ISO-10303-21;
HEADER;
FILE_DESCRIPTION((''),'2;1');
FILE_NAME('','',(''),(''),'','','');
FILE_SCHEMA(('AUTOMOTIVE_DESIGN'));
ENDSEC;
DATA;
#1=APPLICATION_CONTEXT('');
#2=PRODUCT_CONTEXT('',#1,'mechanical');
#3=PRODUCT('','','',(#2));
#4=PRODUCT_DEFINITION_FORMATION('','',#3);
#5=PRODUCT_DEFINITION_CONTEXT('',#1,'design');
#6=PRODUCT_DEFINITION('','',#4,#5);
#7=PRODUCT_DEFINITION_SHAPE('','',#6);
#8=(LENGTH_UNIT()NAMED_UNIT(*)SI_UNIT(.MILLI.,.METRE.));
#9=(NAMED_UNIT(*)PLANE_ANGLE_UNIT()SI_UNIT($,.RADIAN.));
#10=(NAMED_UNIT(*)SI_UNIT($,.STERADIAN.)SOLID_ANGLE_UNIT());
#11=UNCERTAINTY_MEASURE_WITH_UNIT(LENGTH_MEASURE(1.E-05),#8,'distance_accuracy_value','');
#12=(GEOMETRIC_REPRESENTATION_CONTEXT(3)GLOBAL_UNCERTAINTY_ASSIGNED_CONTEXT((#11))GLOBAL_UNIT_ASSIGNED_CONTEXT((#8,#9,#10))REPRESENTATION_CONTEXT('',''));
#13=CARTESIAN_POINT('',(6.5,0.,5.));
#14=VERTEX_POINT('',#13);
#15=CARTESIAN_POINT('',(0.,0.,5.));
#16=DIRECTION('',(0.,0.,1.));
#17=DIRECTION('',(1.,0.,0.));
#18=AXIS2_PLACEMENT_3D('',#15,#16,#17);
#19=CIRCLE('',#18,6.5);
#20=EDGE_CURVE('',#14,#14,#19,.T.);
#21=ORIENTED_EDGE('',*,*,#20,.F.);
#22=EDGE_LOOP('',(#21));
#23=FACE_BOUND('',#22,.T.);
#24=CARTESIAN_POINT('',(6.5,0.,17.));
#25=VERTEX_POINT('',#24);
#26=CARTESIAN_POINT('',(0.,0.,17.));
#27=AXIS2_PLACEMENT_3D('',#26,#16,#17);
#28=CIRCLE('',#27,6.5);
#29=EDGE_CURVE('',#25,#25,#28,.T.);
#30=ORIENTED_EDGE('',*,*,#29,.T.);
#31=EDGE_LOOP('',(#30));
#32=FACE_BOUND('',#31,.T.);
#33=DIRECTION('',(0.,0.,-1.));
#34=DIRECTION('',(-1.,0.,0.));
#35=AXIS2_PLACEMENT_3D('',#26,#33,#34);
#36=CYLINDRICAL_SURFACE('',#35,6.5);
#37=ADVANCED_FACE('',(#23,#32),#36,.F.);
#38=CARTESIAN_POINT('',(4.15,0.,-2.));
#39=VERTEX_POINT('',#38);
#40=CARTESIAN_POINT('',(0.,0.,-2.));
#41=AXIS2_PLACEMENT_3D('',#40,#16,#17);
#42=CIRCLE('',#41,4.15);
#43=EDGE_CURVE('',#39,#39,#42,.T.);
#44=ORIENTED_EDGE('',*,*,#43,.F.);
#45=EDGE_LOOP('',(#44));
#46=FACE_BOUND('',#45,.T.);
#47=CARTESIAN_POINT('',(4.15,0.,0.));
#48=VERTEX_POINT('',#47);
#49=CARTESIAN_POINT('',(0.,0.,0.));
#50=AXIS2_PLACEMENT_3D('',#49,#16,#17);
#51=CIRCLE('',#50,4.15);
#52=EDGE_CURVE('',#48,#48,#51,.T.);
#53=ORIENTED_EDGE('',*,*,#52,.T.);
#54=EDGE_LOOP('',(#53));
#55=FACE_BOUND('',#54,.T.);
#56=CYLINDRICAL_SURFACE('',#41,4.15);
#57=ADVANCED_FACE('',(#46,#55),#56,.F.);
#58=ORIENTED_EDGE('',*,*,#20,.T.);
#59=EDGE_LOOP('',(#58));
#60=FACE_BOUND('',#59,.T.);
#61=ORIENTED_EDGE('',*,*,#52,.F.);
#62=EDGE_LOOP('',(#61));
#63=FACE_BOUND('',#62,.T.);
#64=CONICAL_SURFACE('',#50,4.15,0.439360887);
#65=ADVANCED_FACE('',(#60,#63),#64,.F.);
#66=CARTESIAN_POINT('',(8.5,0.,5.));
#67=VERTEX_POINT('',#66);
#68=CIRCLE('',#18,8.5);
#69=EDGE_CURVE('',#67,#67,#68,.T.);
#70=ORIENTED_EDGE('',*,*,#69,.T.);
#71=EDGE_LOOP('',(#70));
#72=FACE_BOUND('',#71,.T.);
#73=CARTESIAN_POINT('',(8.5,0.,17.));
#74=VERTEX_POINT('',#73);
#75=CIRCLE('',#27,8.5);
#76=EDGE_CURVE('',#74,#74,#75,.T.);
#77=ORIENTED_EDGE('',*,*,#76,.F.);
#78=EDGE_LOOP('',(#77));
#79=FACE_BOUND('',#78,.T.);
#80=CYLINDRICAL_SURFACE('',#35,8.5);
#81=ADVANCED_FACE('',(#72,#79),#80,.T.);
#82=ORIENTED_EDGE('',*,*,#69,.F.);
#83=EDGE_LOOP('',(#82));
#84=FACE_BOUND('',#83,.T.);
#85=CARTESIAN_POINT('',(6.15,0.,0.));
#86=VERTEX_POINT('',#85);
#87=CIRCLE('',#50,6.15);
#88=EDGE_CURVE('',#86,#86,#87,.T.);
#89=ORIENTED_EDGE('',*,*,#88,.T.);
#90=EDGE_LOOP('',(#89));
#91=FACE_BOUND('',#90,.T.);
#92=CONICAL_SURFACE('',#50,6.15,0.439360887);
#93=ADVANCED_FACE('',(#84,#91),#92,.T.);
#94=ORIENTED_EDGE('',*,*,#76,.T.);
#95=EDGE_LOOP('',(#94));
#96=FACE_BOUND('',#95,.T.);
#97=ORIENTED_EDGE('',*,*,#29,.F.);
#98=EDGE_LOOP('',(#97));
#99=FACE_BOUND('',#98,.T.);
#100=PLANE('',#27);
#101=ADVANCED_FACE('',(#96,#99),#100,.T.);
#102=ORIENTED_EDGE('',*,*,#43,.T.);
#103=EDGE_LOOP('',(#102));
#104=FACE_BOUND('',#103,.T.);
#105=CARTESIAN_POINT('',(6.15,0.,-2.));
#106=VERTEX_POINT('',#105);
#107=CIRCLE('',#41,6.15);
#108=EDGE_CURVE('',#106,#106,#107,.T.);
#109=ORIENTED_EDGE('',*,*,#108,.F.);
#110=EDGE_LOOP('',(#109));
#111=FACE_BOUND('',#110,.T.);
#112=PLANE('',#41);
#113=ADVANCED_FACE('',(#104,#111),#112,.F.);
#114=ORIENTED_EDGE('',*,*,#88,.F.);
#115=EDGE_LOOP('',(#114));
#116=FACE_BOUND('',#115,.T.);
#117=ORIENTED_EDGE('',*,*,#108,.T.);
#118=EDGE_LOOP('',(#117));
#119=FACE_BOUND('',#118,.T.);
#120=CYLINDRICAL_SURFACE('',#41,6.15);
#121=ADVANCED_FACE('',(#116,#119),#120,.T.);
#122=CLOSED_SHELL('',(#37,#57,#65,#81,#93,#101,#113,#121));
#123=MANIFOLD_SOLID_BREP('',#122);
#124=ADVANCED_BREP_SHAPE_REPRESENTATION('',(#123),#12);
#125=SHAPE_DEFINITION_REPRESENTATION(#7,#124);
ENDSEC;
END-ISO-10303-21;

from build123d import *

# Parameters (mm, degrees)
SKETCH1_R           = 6.15
SKETCH2_R           = 8.5
SKETCH1_3_R         = 4.15
SKETCH2_3_R         = 6.5
SKETCH1_4_R         = 6.15
SKETCH1_4_R_2       = 4.15
BOSS_EXTRUDE1_DEPTH = 2
SKETCH2_4_R         = 8.5
SKETCH2_4_R_2       = 6.5
BOSS_EXTRUDE2_DEPTH = 12


with BuildPart() as part:
    # Sketch1 → Loft1 section 0
    with BuildSketch(Plane.XY):
        Circle(SKETCH1_R)
    # Sketch2 → Loft1 section 1
    with BuildSketch(Plane.XY.offset(5)):
        Circle(SKETCH2_R)
    loft()

    # Sketch1<3> → Cut-Loft1 section 0
    with BuildSketch(Plane.XY):
        Circle(SKETCH1_3_R)
    # Sketch2<3> → Cut-Loft1 section 1
    with BuildSketch(Plane.XY.offset(5)):
        Circle(SKETCH2_3_R)
    loft(mode=Mode.SUBTRACT)

    # Sketch1<4> → Boss-Extrude1 (add)
    with BuildSketch(Plane.XY):
        Circle(SKETCH1_4_R)
        Circle(SKETCH1_4_R_2, mode=Mode.SUBTRACT)
    extrude(amount=-BOSS_EXTRUDE1_DEPTH)

    # Sketch2<4> → Boss-Extrude2 (add)
    with BuildSketch(Plane.XY.offset(5)):
        Circle(SKETCH2_4_R)
        Circle(SKETCH2_4_R_2, mode=Mode.SUBTRACT)
    extrude(amount=BOSS_EXTRUDE2_DEPTH)


solid = part.part
